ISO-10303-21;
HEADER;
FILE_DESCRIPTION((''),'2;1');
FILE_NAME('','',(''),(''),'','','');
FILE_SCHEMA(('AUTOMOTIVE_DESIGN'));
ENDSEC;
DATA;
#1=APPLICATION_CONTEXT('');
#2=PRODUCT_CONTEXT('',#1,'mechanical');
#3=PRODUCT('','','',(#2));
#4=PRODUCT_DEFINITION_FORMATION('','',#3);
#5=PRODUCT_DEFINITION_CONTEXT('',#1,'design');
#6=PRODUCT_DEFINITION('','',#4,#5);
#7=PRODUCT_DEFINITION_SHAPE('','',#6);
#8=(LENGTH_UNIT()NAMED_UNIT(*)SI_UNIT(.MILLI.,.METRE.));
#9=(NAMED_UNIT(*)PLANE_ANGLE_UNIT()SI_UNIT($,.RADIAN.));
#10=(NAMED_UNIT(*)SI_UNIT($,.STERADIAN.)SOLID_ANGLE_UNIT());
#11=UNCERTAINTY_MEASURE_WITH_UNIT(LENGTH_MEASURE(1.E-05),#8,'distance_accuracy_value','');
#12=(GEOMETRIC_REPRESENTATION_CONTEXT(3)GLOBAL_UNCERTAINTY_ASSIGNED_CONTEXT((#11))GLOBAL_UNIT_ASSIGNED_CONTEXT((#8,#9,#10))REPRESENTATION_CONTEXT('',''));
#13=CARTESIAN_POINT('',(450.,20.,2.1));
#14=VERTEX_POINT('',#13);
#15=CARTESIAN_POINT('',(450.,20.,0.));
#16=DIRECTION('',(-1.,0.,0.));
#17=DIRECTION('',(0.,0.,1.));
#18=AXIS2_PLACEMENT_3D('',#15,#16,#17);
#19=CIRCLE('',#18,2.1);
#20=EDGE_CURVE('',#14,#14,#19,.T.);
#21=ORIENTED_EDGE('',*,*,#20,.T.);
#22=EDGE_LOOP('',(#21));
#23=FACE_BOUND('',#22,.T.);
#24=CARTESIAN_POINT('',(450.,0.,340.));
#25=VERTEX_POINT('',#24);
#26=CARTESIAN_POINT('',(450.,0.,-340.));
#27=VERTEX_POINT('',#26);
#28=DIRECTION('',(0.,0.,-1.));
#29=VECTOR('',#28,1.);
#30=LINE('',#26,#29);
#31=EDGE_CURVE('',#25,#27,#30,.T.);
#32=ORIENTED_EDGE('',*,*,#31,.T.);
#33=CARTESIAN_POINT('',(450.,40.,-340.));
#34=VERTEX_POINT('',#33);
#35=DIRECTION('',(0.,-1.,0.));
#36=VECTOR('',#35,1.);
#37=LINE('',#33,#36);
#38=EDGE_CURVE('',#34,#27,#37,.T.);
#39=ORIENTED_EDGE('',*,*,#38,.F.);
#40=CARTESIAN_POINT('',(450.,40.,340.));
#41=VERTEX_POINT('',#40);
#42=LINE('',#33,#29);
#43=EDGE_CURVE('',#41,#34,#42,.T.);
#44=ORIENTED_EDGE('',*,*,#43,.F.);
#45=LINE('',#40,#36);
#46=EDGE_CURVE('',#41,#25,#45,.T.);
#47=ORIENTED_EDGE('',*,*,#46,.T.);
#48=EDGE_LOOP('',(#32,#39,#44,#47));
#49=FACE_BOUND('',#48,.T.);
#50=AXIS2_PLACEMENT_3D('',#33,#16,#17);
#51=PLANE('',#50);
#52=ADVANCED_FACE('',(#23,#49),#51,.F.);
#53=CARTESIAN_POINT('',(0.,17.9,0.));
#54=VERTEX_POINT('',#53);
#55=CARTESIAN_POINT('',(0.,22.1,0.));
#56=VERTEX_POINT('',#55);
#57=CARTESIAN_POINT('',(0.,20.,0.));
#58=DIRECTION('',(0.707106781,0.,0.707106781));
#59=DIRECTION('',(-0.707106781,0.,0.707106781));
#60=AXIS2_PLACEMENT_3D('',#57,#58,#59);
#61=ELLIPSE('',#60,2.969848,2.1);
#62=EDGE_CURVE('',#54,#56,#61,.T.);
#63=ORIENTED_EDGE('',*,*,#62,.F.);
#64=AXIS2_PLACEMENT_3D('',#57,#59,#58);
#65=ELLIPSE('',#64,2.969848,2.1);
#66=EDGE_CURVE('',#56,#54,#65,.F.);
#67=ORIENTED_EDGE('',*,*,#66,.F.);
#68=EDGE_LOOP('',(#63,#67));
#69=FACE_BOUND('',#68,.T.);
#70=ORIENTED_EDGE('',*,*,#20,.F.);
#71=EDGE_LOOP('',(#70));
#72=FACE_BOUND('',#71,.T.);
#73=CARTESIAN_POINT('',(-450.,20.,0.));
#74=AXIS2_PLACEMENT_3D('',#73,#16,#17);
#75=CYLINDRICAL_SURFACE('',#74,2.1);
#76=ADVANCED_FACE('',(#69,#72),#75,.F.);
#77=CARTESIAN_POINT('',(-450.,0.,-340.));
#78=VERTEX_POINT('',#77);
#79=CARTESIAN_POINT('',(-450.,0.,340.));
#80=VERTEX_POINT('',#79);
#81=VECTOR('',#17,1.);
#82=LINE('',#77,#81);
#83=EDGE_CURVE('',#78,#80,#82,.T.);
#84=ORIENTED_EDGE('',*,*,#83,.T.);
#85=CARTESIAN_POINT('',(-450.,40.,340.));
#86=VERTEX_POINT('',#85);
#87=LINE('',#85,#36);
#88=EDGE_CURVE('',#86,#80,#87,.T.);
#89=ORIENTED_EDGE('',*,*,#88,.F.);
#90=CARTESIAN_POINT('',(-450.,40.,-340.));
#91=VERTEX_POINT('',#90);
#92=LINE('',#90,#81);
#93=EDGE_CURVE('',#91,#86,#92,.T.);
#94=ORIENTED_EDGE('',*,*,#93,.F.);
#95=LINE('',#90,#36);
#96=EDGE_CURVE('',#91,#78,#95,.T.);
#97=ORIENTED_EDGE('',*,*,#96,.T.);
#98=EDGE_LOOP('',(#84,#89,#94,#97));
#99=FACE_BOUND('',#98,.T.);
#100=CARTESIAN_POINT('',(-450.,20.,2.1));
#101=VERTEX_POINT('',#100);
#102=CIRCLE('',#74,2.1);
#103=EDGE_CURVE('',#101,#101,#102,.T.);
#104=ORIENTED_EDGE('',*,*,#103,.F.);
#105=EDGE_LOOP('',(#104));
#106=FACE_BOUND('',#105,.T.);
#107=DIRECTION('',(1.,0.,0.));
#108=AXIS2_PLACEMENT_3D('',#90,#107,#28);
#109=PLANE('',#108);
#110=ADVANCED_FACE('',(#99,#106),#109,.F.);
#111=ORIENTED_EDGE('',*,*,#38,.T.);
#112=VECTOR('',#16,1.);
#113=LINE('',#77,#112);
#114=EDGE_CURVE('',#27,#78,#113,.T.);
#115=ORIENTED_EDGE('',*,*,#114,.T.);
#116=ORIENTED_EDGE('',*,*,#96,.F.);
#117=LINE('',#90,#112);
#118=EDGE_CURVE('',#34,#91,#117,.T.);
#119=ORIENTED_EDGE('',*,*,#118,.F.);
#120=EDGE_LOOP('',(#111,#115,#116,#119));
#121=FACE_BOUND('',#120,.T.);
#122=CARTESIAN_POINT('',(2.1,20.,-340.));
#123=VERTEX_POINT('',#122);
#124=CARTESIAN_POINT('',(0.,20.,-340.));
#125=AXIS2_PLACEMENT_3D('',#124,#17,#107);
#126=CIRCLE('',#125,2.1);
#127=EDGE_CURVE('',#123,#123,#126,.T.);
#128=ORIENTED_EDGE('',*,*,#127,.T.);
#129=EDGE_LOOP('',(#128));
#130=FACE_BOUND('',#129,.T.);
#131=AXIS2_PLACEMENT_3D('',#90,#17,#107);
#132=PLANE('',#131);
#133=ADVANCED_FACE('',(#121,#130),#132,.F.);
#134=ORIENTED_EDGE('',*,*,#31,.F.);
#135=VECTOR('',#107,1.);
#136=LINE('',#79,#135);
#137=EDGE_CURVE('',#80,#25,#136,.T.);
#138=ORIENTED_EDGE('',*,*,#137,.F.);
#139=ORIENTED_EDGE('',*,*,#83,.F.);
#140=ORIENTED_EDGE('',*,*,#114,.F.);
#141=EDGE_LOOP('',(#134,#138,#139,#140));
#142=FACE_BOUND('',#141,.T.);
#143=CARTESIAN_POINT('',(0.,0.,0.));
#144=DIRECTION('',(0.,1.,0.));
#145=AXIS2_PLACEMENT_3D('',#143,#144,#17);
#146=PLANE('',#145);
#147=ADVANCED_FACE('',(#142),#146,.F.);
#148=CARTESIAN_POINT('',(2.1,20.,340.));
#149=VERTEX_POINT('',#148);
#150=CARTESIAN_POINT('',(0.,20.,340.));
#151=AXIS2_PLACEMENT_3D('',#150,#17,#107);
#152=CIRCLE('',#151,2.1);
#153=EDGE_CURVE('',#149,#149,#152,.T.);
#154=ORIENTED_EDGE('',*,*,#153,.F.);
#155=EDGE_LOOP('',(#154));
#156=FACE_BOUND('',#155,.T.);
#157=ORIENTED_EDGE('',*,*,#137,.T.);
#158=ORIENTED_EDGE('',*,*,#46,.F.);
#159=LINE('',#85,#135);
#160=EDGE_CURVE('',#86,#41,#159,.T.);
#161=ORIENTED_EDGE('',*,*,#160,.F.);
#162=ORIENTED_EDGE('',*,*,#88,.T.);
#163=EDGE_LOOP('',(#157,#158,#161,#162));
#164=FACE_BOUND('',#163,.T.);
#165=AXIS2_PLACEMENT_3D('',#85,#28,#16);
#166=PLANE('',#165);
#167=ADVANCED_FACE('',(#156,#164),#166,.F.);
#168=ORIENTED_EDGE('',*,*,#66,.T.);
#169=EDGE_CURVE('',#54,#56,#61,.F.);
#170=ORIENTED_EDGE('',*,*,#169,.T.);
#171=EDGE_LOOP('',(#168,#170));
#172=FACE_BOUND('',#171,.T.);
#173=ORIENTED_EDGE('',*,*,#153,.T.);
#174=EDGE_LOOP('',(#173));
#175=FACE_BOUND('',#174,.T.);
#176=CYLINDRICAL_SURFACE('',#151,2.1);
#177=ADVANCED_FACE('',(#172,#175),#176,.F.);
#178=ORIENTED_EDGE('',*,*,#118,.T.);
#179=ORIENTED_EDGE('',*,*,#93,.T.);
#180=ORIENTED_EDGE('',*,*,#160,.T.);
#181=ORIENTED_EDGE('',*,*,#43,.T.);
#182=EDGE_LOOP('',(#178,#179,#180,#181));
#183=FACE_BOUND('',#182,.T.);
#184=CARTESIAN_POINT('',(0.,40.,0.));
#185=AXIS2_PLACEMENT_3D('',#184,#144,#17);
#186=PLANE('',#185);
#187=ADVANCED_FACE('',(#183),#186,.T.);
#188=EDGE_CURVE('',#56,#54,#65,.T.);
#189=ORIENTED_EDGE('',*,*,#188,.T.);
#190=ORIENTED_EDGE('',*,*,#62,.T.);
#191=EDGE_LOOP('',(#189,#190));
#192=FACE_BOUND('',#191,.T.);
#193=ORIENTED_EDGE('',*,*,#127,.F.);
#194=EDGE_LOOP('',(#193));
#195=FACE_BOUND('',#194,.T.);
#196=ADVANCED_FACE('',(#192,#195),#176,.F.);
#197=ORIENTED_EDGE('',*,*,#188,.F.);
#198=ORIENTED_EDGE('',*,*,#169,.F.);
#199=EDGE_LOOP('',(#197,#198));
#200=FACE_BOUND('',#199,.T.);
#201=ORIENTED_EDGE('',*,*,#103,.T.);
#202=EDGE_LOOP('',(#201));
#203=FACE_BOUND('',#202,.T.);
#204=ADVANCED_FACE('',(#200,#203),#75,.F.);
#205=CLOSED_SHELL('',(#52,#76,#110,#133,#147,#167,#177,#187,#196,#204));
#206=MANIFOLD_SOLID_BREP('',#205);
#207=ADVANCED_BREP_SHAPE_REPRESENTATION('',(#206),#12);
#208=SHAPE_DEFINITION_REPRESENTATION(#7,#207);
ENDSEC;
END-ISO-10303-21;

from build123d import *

# Parameters (mm, degrees)
SKETCH_1_W         = 900
SKETCH_1_H         = 680
EXTRUDE_1_DEPTH    = 40
HOLE_WIZARD_M5_1_D = 4.2
HOLE_WIZARD_M5_2_D = 4.2


with BuildPart() as part:
    # 草图1 → 凸台-拉伸1 (new body)
    with BuildSketch(Plane(origin=(0, 0, 0), x_dir=(1, 0, 0), z_dir=(0, 1, 0))):
        Rectangle(SKETCH_1_W, SKETCH_1_H)
    extrude(amount=EXTRUDE_1_DEPTH)

    # M5 螺纹孔1 (through all)
    with Locations(Plane.XY.offset(340)):
        with Locations((0, 20)):
            Hole(HOLE_WIZARD_M5_1_D / 2)

    # M5 螺纹孔2 (through all)
    with Locations(Plane.ZY.offset(450)):
        with Locations((0, 20)):
            Hole(HOLE_WIZARD_M5_2_D / 2)


solid = part.part
